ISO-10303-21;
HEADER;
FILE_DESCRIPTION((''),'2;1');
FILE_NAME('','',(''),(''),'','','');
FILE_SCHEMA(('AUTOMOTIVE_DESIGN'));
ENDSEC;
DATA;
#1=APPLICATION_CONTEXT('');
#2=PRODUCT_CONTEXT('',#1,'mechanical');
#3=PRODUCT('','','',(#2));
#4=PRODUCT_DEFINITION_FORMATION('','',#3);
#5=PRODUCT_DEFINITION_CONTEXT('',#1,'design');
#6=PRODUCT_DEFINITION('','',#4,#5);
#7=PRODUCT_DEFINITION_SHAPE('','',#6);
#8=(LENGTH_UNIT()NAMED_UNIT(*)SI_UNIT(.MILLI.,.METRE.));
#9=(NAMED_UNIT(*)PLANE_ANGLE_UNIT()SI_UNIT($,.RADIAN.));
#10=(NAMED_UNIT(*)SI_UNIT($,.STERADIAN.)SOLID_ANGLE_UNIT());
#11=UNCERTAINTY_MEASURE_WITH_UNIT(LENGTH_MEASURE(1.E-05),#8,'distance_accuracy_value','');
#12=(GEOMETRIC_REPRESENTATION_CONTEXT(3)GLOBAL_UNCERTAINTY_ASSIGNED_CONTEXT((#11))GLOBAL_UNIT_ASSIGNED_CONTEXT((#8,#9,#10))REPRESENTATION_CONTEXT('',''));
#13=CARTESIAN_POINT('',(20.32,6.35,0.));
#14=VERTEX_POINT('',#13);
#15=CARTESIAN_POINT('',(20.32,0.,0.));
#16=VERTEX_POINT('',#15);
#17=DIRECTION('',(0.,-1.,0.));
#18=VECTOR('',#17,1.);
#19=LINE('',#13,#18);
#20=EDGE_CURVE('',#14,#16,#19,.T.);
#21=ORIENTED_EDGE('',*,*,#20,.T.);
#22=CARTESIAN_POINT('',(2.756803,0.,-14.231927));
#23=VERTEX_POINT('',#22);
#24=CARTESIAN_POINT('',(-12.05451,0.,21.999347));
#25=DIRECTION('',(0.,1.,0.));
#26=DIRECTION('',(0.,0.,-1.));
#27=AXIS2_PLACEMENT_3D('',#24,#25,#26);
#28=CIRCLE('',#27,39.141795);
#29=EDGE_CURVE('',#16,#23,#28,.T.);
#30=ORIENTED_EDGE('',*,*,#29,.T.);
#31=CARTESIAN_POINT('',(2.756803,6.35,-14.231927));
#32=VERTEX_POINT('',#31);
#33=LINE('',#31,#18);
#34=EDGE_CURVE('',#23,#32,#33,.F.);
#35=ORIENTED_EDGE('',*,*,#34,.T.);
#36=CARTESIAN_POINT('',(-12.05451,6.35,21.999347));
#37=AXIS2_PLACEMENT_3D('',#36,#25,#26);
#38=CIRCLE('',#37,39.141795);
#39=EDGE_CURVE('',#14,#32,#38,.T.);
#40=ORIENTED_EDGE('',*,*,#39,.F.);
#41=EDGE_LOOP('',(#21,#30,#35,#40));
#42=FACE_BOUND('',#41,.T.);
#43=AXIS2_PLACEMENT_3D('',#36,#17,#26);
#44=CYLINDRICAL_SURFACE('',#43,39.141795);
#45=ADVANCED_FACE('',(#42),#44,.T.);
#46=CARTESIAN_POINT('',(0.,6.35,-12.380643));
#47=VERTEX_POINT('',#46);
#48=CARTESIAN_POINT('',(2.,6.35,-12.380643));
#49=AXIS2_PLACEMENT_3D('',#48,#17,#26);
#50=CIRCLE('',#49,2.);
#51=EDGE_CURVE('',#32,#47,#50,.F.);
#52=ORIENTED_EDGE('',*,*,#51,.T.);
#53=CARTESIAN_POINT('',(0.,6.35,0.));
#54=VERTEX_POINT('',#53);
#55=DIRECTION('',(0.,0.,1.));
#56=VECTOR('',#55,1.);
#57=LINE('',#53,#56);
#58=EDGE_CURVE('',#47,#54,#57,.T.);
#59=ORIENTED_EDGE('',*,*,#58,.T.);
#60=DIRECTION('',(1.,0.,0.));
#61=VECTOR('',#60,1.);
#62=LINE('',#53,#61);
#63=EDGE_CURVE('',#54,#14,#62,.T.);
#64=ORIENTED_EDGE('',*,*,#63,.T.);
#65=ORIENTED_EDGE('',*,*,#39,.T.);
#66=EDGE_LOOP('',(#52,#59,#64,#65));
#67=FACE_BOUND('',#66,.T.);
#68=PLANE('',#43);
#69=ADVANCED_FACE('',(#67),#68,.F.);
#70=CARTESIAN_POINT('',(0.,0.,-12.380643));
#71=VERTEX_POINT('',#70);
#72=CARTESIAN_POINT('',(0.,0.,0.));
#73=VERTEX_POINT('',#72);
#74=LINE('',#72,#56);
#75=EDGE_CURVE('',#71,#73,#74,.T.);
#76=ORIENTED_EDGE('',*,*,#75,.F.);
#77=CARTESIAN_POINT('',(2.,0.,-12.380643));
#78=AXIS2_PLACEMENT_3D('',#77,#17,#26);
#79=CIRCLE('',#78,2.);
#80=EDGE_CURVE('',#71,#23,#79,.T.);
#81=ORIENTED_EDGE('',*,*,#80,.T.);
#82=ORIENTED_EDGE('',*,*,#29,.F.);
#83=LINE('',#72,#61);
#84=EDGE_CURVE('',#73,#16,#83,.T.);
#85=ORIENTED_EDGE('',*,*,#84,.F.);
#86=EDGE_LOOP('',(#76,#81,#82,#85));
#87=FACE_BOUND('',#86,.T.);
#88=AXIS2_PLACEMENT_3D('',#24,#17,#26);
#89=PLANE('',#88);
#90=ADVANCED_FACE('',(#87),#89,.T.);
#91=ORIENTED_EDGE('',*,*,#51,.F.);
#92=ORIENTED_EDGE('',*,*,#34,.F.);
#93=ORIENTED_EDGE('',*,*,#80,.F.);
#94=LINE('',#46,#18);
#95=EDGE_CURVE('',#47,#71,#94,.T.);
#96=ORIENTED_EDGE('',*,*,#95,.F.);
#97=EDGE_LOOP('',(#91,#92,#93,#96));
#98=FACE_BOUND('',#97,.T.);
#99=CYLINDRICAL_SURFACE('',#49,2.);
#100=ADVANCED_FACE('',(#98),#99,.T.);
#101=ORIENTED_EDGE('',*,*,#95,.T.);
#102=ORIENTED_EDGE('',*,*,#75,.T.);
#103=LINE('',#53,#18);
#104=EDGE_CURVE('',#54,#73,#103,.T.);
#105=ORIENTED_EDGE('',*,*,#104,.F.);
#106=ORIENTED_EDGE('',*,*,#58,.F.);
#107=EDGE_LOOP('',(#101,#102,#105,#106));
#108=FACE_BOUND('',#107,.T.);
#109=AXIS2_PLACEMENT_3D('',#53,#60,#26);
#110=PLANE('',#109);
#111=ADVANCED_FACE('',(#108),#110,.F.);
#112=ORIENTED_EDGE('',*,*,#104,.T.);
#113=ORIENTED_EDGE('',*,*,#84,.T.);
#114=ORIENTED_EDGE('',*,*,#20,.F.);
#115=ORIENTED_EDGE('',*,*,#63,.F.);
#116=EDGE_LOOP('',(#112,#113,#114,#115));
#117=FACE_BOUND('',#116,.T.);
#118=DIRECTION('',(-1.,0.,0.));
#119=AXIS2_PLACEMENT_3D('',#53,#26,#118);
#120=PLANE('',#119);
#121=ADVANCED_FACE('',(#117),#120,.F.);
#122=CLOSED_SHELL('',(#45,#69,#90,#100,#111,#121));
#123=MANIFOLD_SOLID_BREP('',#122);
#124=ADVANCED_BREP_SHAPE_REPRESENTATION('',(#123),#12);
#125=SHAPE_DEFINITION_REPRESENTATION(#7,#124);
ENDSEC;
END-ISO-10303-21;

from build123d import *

# Parameters (mm, degrees)
BOSS_EXTRUDE1_DEPTH = 6.35
FILLET1_R           = 2


with BuildPart() as part:
    # Sketch1 → Boss-Extrude1 (new body)
    with BuildSketch(Plane(origin=(0, 0, 0), x_dir=(1, 0, 0), z_dir=(0, 1, 0))):
        with BuildLine():
            Line((0, 0), (0, 15.24))
            ThreePointArc((0, 15.24), (11.430567272, 9.314089696), (20.32, 0))
            Line((20.32, 0), (0, 0))
        make_face()
    extrude(amount=BOSS_EXTRUDE1_DEPTH)

    # Fillet1
    fillet1_edges = [part.edges().sort_by_distance(p)[0] for p in [
        (0, 3.175, -15.24),
    ]]
    fillet(fillet1_edges, radius=FILLET1_R)


solid = part.part
